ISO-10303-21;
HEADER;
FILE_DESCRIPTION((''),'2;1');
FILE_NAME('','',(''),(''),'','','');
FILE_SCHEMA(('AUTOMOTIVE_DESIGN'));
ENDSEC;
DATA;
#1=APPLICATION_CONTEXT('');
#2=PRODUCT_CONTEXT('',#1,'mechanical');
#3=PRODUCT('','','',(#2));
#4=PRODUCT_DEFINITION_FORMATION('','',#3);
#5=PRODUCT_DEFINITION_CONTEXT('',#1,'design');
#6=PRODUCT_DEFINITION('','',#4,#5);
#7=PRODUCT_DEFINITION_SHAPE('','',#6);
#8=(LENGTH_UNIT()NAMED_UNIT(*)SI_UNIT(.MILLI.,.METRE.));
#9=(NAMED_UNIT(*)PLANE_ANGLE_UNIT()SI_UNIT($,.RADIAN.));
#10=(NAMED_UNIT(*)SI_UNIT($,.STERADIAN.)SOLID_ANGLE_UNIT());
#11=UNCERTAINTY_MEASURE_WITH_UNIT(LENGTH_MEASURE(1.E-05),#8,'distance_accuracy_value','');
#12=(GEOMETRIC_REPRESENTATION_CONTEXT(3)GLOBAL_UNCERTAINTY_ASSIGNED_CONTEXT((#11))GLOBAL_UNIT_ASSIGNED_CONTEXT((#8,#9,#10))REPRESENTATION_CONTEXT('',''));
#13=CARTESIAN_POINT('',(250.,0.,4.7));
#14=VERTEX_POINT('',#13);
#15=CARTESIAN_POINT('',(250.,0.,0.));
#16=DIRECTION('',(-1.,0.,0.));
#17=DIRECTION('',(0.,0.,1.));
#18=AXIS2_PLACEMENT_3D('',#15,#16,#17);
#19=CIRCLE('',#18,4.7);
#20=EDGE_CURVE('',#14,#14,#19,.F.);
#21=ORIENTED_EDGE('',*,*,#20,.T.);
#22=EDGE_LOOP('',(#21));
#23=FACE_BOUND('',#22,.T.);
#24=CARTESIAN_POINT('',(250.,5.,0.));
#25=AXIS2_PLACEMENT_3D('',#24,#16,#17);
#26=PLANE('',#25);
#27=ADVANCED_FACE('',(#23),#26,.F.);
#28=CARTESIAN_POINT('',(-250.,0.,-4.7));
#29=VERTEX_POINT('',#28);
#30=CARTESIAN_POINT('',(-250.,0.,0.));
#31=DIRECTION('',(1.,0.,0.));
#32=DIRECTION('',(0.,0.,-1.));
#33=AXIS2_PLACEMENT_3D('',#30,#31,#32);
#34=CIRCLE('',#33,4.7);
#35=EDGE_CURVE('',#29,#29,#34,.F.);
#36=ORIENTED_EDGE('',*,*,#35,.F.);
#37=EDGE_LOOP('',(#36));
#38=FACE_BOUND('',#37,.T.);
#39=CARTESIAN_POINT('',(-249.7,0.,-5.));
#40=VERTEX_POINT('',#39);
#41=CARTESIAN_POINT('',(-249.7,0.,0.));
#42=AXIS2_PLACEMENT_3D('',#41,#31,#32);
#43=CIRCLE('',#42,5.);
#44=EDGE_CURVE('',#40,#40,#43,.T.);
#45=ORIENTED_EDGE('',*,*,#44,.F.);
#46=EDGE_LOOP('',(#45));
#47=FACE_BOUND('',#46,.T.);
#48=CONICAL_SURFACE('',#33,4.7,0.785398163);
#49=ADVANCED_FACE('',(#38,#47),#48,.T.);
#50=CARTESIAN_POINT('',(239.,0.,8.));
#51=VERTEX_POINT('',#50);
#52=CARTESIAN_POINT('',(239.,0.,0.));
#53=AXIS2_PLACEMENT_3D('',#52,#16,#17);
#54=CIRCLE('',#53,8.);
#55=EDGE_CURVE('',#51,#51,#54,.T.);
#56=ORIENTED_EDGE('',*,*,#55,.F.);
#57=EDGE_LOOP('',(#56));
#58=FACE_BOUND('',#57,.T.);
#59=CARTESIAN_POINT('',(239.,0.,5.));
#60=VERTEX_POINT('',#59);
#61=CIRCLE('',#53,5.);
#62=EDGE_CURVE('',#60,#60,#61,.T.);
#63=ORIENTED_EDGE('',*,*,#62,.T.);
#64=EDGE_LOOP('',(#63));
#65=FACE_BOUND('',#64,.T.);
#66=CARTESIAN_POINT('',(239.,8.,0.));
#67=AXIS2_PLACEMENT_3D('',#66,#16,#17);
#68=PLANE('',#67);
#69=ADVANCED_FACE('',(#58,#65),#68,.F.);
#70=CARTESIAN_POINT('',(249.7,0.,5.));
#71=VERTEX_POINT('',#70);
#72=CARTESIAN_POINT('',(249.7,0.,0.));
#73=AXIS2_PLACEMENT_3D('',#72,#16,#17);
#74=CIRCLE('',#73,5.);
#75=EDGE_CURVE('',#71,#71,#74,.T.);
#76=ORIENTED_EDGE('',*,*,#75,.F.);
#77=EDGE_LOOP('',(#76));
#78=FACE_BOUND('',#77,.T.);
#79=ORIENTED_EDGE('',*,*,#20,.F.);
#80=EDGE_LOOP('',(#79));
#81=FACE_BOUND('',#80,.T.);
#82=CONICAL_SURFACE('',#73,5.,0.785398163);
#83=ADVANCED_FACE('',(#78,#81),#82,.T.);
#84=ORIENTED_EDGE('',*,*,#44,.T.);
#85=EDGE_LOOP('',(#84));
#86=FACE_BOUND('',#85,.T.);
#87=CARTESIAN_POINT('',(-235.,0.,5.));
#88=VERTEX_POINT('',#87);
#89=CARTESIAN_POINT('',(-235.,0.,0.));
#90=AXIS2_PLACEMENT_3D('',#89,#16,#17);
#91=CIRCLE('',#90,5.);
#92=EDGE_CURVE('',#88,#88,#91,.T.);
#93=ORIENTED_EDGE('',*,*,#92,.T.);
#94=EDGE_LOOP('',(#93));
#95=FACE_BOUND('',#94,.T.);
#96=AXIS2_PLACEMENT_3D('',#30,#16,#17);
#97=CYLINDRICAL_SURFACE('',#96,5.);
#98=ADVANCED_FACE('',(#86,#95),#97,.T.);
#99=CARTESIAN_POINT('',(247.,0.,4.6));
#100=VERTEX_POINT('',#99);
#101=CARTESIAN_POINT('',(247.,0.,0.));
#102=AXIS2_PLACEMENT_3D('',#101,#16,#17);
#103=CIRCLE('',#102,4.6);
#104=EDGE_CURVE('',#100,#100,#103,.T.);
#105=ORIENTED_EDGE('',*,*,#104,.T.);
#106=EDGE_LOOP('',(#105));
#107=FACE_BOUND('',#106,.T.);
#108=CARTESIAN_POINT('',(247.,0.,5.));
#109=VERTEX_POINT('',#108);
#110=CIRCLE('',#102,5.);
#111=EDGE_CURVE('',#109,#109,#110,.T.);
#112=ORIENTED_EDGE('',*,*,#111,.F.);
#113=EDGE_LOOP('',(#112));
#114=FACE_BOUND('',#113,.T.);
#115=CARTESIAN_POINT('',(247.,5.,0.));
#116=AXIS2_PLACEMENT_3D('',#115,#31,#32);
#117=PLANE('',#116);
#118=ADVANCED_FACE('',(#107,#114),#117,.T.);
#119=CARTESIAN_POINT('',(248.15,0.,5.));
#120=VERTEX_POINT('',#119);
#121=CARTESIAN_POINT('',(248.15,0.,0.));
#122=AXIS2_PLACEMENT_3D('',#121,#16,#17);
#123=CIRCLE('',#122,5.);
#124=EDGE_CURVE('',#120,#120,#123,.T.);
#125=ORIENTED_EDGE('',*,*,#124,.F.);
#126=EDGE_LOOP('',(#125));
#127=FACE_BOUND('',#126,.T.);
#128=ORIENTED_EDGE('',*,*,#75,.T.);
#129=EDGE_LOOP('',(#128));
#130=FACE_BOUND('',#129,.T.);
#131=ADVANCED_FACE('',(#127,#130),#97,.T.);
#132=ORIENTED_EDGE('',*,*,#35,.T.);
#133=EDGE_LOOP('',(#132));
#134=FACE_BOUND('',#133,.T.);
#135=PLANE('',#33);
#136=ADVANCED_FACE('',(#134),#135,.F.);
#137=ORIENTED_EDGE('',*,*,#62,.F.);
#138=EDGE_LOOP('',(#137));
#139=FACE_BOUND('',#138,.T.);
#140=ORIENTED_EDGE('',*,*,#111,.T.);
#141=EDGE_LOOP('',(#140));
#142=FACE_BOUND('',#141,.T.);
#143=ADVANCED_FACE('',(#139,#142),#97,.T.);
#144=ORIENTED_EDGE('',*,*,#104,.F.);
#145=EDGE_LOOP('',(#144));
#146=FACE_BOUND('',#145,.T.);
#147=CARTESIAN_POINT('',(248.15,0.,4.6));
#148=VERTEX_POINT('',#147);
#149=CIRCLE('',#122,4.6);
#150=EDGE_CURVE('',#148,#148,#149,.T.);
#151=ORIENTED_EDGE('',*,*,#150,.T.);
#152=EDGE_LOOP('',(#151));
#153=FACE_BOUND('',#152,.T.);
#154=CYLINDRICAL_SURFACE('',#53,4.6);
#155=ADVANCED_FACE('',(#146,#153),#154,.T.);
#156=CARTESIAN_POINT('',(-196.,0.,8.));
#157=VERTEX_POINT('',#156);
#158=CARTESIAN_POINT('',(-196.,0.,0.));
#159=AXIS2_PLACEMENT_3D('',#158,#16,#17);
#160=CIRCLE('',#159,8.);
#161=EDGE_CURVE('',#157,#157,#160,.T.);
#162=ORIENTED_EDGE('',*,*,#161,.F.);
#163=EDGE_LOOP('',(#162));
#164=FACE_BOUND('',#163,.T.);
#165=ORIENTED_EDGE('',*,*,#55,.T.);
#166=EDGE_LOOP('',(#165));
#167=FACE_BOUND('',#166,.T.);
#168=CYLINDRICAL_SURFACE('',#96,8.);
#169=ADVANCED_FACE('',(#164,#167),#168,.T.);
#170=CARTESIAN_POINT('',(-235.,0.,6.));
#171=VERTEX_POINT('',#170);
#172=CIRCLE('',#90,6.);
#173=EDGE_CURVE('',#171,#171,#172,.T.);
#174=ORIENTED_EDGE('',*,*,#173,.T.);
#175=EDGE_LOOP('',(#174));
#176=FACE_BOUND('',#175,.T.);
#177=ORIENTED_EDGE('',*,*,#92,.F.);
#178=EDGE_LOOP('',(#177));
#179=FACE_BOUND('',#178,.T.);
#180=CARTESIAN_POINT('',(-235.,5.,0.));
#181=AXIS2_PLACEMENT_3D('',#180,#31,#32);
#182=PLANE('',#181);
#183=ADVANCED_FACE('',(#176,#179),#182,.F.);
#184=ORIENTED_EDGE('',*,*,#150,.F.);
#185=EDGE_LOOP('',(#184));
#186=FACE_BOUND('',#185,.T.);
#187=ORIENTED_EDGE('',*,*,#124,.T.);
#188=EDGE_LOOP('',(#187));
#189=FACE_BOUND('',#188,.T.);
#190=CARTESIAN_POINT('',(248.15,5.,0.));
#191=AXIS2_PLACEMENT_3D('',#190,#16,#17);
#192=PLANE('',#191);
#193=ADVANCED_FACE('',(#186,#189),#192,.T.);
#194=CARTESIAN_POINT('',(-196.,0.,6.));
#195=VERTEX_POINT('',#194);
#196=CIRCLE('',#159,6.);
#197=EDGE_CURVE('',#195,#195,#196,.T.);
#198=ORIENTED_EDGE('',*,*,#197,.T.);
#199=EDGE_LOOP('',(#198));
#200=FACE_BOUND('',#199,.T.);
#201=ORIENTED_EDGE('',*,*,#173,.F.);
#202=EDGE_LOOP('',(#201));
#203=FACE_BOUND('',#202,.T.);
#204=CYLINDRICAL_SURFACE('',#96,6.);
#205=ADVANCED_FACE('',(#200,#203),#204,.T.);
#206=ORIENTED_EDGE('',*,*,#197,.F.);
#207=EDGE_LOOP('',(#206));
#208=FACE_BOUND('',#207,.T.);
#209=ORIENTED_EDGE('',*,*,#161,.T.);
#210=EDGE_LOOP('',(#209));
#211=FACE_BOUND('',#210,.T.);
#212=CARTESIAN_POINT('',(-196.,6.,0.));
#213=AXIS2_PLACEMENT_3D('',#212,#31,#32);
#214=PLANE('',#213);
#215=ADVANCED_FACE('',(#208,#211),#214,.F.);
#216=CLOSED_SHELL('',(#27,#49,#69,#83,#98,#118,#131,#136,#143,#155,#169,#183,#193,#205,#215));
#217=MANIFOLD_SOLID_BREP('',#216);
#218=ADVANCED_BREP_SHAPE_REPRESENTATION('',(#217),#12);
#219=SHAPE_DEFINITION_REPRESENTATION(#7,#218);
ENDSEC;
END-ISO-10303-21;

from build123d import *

# Parameters (mm, degrees)
SKETCH_2_W     = 1.15
SKETCH_2_H     = 0.4
CHAMFER_1_SIZE = 0.3


with BuildPart() as part:
    # Эскиз1 → Повернуть1 (revolve)
    with BuildSketch(Plane.XY):
        Polygon((-250, 0), (250, 0), (250, 5), (239, 5), (239, 8), (-196, 8), (-196, 6), (-235, 6), (-235, 5), (-250, 5), align=None)
    revolve(axis=Axis((-250, 0, 0), (1, 0, 0)))

    # Эскиз2 → Вырез-Повернуть1 (revolve, cut)
    with BuildSketch(Plane.XY):
        with Locations((247.575, 4.8)):
            Rectangle(SKETCH_2_W, SKETCH_2_H)
    revolve(axis=Axis((239, 0, 0), (1, 0, 0)), mode=Mode.SUBTRACT)

    # Фаска1
    chamfer_1_edges = [part.edges().sort_by_distance(p)[0] for p in [
        (-250, -5, 0),
        (250, -5, 0),
    ]]
    chamfer(chamfer_1_edges, length=CHAMFER_1_SIZE)


solid = part.part
